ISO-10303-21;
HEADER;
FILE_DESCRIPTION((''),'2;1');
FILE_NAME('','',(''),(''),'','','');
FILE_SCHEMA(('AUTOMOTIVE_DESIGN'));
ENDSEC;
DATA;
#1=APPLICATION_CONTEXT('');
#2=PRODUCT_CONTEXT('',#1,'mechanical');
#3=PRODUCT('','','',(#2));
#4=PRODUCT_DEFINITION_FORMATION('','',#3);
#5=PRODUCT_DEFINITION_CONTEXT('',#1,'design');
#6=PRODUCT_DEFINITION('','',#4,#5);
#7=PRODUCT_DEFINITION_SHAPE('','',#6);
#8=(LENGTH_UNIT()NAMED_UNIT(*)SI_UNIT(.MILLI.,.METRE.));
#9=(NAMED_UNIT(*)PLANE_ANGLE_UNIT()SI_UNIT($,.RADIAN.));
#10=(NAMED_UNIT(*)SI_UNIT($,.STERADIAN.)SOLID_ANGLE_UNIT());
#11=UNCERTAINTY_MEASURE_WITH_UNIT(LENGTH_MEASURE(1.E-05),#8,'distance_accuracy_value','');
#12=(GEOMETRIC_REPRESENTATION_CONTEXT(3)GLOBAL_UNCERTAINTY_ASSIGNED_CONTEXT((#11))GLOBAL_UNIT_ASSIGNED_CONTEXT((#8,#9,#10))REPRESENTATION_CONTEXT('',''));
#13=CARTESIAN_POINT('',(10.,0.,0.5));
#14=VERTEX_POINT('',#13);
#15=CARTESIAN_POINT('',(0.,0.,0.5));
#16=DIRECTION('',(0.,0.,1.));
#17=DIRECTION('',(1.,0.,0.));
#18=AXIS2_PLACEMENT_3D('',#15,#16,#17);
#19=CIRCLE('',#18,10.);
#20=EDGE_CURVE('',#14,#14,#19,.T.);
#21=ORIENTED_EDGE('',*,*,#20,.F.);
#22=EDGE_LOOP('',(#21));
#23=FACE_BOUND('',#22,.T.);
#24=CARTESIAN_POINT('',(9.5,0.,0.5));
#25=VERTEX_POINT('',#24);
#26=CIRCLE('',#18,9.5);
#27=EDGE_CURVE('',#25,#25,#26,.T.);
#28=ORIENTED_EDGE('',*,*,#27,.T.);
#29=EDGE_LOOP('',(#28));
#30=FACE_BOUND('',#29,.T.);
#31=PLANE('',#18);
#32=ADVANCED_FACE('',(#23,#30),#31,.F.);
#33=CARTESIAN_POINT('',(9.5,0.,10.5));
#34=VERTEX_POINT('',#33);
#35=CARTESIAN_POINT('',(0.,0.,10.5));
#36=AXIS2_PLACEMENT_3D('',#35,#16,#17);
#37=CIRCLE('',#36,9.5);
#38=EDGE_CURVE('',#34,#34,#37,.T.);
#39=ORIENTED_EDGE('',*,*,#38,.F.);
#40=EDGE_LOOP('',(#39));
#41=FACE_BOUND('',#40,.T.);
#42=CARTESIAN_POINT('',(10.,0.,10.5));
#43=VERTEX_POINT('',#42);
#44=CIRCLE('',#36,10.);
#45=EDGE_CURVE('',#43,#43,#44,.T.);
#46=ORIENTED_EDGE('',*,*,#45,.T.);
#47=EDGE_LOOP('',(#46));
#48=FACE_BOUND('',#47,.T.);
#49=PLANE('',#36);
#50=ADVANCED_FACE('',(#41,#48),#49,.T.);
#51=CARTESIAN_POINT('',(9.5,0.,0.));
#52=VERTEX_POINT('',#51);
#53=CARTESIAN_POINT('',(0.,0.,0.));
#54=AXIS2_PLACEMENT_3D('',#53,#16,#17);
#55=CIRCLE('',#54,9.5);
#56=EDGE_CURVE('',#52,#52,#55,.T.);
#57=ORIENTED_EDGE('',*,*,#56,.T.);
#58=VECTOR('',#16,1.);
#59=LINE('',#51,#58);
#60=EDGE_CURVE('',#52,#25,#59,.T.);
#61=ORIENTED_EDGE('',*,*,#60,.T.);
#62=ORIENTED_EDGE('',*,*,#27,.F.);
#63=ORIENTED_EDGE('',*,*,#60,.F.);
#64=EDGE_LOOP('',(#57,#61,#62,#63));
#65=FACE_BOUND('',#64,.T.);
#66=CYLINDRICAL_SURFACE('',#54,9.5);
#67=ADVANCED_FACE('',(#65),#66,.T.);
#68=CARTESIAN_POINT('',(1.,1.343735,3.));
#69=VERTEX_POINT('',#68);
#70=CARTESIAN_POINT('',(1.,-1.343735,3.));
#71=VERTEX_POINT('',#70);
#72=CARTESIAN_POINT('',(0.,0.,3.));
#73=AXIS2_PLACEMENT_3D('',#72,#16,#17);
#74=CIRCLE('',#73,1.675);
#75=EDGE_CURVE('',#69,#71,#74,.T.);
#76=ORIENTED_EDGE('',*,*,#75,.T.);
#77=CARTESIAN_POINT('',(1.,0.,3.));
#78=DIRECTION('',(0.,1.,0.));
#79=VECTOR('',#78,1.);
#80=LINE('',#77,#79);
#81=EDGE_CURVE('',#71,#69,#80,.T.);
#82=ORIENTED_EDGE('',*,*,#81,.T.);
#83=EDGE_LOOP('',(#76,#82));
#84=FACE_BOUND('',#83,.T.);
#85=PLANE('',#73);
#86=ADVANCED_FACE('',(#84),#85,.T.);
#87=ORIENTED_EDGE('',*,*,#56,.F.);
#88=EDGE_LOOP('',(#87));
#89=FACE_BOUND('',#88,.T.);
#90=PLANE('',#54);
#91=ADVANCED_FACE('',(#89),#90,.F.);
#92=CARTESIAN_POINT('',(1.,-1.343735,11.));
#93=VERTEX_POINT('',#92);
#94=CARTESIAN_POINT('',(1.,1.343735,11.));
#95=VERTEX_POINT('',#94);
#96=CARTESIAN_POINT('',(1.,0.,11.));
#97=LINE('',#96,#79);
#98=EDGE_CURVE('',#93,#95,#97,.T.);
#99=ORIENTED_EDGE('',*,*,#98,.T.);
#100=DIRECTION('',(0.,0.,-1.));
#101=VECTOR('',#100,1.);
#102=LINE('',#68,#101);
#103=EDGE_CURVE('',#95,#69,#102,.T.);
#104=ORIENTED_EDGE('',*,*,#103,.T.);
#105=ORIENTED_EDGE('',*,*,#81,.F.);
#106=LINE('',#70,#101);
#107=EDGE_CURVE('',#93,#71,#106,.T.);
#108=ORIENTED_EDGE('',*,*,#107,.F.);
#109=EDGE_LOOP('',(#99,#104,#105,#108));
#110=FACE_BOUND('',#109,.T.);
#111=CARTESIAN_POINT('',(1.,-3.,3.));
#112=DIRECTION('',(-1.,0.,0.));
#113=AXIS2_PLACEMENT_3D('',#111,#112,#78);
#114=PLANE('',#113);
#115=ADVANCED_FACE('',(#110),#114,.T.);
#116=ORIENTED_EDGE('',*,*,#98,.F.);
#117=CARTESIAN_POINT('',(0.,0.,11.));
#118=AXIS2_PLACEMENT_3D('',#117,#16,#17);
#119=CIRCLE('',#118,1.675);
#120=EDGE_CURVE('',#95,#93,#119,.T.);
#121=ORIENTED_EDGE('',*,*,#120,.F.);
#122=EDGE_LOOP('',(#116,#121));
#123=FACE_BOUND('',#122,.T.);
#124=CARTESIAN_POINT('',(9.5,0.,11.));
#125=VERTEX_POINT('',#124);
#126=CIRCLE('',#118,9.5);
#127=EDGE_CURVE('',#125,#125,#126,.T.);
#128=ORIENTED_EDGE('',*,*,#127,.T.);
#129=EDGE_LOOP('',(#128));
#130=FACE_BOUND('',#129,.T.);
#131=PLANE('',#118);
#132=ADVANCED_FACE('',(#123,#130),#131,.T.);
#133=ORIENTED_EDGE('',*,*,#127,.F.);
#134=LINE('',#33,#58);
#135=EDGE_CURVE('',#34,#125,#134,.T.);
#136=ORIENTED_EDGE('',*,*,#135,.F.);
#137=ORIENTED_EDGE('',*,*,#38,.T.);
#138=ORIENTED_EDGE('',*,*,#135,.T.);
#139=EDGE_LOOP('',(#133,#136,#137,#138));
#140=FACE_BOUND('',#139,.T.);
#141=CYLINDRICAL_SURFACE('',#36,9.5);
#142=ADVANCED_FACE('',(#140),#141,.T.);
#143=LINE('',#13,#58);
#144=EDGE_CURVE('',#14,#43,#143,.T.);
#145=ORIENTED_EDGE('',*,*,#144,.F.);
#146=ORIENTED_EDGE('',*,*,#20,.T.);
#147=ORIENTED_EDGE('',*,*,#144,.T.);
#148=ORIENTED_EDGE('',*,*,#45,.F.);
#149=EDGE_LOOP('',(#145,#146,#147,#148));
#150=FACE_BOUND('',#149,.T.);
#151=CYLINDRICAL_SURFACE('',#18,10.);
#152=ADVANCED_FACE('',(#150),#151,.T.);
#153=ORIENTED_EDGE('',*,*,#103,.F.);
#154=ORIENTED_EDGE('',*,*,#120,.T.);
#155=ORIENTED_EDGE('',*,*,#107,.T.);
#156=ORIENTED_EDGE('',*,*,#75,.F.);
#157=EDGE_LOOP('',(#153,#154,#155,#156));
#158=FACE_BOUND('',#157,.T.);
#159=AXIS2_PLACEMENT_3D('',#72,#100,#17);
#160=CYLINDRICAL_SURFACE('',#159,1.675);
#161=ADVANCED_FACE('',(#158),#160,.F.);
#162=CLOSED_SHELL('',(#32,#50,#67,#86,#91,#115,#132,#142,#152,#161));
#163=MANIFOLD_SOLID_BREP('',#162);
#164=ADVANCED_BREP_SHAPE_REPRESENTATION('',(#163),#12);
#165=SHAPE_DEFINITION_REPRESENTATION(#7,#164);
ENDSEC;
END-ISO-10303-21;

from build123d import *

# Parameters (mm, degrees)
BOX_W             = 5
BOX_H             = 6
BOX_DEPTH         = 8
CYLINDER001_R     = 1.675
CYLINDER001_DEPTH = 8


with BuildPart() as d:
    # Box → Box (new body)
    with BuildSketch(Plane(origin=(1, -3, 15), x_dir=(1, 0, 0), z_dir=(0, 0, 1))):
        with Locations((2.5, 3)):
            Rectangle(BOX_W, BOX_H)
    extrude(amount=BOX_DEPTH)


with BuildPart() as eje_d:
    # Cylinder001 → Cylinder001 (new body)
    with BuildSketch(Plane.XY.offset(15)):
        Circle(CYLINDER001_R)
    extrude(amount=CYLINDER001_DEPTH)

    # Cut: cut D
    add(d.part, mode=Mode.SUBTRACT)


with BuildPart() as eje_d_1:
    # Cut placement: moved
    add(eje_d.part.moved(Location((0, 0, -12))))


with BuildPart() as cut001:
    # Sketch → Revolution (revolve)
    with BuildSketch(Plane.XZ):
        Polygon((9.5, 11), (0, 11), (0, 0), (9.5, 0), (9.5, 0.5), (10, 0.5), (10, 10.5), (9.5, 10.5), align=None)
    revolve(axis=Axis((0, 0, 0), (0, 0, 1)))

    # Cut001: cut EJE + D
    add(eje_d_1.part, mode=Mode.SUBTRACT)


solid = cut001.part
